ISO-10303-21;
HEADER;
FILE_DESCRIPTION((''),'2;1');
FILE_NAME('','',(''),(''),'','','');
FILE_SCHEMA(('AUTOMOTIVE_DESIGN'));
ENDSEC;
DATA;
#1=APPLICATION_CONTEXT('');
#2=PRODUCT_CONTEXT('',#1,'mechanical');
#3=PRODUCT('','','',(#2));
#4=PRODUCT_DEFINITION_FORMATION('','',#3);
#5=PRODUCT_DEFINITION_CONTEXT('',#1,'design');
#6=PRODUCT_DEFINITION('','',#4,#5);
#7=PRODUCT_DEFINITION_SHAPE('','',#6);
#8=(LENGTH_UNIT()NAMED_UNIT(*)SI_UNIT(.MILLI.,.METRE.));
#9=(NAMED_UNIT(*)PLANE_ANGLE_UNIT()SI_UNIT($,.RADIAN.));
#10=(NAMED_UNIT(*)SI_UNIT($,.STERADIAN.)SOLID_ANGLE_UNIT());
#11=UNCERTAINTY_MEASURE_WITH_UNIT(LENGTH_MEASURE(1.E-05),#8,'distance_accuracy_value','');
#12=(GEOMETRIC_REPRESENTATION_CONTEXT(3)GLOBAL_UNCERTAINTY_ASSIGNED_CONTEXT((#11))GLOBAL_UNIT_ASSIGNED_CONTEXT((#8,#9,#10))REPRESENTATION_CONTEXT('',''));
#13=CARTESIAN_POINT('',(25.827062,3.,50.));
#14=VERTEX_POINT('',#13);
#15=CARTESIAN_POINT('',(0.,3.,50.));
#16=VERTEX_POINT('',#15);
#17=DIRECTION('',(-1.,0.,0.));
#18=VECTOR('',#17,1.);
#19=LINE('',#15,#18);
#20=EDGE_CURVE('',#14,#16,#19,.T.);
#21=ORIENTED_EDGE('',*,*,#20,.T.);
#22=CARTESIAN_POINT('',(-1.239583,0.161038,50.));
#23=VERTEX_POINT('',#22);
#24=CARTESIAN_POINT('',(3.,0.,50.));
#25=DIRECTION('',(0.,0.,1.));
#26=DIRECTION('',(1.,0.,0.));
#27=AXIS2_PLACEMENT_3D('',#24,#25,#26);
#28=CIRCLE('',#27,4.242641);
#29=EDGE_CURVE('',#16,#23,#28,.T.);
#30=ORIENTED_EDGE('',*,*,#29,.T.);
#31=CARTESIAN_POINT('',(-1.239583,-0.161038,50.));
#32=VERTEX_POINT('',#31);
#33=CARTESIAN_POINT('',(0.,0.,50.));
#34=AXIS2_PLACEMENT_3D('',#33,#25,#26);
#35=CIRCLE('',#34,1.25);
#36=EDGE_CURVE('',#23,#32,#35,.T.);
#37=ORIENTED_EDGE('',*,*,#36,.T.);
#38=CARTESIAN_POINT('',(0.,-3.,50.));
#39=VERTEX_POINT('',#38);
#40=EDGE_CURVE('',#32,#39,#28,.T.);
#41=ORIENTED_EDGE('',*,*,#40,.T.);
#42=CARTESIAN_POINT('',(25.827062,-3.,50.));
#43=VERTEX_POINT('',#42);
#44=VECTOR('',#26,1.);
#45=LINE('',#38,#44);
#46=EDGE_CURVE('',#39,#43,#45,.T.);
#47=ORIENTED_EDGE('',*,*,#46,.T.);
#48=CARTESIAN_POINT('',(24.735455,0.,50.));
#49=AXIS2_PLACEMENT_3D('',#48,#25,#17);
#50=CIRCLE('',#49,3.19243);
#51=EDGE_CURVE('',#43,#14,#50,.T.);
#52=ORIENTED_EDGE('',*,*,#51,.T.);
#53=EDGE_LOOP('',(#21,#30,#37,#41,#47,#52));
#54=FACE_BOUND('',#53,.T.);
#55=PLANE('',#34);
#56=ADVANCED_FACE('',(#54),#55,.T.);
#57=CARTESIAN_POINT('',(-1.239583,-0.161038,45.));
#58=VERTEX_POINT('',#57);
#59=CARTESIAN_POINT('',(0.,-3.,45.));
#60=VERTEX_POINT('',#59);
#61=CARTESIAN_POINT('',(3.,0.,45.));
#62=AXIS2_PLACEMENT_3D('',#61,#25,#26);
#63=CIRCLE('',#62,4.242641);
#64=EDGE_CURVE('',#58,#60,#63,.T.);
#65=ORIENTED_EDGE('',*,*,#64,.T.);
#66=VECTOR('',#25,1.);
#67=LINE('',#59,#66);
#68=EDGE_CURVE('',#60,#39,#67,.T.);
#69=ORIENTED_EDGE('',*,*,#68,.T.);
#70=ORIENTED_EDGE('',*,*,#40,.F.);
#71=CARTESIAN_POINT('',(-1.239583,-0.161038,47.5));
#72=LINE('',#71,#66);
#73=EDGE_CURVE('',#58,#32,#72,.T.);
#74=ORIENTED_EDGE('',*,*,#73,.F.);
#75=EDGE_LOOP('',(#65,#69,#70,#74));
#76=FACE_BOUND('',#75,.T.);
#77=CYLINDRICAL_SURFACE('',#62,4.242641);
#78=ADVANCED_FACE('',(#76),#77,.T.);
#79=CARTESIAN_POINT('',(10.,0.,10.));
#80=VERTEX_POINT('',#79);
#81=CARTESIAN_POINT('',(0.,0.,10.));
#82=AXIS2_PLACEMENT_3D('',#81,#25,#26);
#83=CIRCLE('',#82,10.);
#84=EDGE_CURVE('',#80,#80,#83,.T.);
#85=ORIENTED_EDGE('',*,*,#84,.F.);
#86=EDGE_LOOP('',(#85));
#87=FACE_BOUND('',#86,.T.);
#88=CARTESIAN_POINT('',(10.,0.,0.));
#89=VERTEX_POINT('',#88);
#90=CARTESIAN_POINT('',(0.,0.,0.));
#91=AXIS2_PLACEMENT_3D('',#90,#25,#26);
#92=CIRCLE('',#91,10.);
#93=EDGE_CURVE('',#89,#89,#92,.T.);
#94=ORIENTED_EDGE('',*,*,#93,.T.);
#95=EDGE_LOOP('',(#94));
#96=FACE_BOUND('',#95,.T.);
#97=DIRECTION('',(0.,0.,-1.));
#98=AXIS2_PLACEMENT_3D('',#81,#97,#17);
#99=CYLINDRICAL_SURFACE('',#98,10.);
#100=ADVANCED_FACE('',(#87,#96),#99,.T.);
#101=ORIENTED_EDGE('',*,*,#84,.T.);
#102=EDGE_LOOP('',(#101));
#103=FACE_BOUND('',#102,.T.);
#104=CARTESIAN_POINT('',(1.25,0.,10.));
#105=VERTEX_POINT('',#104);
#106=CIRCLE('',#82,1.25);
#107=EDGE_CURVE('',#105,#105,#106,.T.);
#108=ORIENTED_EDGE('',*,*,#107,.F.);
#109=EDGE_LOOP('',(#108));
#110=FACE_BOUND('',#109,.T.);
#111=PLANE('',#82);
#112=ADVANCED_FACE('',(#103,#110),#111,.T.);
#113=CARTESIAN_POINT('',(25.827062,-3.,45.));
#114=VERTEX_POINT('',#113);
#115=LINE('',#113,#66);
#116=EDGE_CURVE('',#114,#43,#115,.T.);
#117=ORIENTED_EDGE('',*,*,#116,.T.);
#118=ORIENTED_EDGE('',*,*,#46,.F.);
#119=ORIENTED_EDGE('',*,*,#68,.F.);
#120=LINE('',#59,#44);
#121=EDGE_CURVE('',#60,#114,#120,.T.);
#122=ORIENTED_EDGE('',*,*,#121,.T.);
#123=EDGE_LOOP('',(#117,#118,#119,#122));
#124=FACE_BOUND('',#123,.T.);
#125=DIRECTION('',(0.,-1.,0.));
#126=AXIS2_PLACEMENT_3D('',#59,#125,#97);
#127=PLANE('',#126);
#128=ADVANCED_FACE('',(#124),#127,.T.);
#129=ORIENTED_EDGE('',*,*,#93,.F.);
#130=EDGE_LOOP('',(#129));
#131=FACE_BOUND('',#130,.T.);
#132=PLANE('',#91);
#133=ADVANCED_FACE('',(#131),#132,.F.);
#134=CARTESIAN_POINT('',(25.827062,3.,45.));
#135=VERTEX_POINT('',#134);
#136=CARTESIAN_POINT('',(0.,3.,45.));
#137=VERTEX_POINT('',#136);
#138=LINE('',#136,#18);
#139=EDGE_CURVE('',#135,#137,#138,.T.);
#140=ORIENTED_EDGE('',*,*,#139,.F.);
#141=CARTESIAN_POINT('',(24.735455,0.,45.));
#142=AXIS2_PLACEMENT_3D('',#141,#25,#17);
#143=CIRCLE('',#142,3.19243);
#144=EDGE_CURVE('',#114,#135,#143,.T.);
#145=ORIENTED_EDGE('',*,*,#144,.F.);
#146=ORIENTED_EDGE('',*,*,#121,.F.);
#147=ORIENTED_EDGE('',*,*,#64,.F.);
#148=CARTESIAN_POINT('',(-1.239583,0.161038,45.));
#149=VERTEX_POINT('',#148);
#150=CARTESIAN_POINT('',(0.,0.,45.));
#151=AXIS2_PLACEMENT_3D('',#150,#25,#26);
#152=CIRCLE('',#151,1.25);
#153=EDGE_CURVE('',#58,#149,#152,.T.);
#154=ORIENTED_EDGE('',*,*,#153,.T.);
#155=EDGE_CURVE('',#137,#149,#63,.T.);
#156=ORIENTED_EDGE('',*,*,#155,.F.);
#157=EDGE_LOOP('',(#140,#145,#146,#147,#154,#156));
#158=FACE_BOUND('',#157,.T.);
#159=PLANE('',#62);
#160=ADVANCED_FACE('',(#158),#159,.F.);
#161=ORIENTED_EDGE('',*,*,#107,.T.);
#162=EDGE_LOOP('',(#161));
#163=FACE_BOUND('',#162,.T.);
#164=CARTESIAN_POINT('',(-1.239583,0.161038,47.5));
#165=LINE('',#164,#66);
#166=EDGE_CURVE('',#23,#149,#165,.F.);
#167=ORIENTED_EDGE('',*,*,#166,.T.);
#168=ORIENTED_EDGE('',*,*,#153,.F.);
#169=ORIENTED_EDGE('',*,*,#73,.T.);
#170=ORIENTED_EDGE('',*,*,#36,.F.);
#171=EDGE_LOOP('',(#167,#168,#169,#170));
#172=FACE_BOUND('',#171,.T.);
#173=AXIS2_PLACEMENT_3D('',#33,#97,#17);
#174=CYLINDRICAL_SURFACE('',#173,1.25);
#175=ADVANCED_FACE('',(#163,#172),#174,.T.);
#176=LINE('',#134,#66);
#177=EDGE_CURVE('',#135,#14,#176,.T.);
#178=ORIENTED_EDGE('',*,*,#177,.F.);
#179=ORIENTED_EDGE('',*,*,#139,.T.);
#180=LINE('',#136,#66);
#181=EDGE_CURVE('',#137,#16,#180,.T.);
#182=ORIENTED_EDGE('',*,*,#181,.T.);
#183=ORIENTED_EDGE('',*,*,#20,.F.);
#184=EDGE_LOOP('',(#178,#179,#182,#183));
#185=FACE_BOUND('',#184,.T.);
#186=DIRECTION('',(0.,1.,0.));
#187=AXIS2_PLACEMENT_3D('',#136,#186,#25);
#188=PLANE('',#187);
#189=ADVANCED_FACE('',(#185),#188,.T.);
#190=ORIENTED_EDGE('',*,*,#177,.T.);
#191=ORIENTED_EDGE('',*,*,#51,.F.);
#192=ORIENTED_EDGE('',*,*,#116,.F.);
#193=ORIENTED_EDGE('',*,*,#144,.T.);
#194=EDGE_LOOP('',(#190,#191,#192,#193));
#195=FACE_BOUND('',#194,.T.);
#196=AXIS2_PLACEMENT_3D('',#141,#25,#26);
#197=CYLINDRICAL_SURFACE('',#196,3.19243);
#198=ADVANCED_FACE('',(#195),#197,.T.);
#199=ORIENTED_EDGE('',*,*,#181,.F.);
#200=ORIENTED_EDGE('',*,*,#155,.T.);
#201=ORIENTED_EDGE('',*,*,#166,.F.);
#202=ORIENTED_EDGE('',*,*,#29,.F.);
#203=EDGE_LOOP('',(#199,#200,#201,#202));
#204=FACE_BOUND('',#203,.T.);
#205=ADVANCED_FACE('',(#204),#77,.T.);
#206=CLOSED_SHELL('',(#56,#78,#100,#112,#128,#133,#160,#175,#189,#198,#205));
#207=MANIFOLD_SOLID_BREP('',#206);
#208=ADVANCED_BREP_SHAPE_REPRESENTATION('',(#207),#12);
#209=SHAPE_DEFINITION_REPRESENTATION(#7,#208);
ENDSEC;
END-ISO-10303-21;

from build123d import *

# Parameters (mm, degrees)
SKETCH_1_R      = 10
EXTRUDE_1_DEPTH = 10
SKETCH_2_R      = 1.25
EXTRUDE_2_DEPTH = 40
EXTRUDE_3_DEPTH = 5


with BuildPart() as part:
    # Эскиз1 → Бобышка-Вытянуть1 (new body)
    with BuildSketch(Plane.XY):
        Circle(SKETCH_1_R)
    extrude(amount=EXTRUDE_1_DEPTH)

    # Эскиз2 → Бобышка-Вытянуть2 (add)
    with BuildSketch(Plane.XY.offset(10)):
        Circle(SKETCH_2_R)
    extrude(amount=EXTRUDE_2_DEPTH)

    # Эскиз3 → Бобышка-Вытянуть3 (add)
    with BuildSketch(Plane.XY.offset(50)):
        with BuildLine():
            Line((0, 3), (25.827062473, 3))
            ThreePointArc((25.827062473, 3), (27.92788481, 0), (25.827062473, -3))
            Line((25.827062473, -3), (0, -3))
            ThreePointArc((0, -3), (-1.242640687, 0), (0, 3))
        make_face()
    extrude(amount=-EXTRUDE_3_DEPTH)


solid = part.part
